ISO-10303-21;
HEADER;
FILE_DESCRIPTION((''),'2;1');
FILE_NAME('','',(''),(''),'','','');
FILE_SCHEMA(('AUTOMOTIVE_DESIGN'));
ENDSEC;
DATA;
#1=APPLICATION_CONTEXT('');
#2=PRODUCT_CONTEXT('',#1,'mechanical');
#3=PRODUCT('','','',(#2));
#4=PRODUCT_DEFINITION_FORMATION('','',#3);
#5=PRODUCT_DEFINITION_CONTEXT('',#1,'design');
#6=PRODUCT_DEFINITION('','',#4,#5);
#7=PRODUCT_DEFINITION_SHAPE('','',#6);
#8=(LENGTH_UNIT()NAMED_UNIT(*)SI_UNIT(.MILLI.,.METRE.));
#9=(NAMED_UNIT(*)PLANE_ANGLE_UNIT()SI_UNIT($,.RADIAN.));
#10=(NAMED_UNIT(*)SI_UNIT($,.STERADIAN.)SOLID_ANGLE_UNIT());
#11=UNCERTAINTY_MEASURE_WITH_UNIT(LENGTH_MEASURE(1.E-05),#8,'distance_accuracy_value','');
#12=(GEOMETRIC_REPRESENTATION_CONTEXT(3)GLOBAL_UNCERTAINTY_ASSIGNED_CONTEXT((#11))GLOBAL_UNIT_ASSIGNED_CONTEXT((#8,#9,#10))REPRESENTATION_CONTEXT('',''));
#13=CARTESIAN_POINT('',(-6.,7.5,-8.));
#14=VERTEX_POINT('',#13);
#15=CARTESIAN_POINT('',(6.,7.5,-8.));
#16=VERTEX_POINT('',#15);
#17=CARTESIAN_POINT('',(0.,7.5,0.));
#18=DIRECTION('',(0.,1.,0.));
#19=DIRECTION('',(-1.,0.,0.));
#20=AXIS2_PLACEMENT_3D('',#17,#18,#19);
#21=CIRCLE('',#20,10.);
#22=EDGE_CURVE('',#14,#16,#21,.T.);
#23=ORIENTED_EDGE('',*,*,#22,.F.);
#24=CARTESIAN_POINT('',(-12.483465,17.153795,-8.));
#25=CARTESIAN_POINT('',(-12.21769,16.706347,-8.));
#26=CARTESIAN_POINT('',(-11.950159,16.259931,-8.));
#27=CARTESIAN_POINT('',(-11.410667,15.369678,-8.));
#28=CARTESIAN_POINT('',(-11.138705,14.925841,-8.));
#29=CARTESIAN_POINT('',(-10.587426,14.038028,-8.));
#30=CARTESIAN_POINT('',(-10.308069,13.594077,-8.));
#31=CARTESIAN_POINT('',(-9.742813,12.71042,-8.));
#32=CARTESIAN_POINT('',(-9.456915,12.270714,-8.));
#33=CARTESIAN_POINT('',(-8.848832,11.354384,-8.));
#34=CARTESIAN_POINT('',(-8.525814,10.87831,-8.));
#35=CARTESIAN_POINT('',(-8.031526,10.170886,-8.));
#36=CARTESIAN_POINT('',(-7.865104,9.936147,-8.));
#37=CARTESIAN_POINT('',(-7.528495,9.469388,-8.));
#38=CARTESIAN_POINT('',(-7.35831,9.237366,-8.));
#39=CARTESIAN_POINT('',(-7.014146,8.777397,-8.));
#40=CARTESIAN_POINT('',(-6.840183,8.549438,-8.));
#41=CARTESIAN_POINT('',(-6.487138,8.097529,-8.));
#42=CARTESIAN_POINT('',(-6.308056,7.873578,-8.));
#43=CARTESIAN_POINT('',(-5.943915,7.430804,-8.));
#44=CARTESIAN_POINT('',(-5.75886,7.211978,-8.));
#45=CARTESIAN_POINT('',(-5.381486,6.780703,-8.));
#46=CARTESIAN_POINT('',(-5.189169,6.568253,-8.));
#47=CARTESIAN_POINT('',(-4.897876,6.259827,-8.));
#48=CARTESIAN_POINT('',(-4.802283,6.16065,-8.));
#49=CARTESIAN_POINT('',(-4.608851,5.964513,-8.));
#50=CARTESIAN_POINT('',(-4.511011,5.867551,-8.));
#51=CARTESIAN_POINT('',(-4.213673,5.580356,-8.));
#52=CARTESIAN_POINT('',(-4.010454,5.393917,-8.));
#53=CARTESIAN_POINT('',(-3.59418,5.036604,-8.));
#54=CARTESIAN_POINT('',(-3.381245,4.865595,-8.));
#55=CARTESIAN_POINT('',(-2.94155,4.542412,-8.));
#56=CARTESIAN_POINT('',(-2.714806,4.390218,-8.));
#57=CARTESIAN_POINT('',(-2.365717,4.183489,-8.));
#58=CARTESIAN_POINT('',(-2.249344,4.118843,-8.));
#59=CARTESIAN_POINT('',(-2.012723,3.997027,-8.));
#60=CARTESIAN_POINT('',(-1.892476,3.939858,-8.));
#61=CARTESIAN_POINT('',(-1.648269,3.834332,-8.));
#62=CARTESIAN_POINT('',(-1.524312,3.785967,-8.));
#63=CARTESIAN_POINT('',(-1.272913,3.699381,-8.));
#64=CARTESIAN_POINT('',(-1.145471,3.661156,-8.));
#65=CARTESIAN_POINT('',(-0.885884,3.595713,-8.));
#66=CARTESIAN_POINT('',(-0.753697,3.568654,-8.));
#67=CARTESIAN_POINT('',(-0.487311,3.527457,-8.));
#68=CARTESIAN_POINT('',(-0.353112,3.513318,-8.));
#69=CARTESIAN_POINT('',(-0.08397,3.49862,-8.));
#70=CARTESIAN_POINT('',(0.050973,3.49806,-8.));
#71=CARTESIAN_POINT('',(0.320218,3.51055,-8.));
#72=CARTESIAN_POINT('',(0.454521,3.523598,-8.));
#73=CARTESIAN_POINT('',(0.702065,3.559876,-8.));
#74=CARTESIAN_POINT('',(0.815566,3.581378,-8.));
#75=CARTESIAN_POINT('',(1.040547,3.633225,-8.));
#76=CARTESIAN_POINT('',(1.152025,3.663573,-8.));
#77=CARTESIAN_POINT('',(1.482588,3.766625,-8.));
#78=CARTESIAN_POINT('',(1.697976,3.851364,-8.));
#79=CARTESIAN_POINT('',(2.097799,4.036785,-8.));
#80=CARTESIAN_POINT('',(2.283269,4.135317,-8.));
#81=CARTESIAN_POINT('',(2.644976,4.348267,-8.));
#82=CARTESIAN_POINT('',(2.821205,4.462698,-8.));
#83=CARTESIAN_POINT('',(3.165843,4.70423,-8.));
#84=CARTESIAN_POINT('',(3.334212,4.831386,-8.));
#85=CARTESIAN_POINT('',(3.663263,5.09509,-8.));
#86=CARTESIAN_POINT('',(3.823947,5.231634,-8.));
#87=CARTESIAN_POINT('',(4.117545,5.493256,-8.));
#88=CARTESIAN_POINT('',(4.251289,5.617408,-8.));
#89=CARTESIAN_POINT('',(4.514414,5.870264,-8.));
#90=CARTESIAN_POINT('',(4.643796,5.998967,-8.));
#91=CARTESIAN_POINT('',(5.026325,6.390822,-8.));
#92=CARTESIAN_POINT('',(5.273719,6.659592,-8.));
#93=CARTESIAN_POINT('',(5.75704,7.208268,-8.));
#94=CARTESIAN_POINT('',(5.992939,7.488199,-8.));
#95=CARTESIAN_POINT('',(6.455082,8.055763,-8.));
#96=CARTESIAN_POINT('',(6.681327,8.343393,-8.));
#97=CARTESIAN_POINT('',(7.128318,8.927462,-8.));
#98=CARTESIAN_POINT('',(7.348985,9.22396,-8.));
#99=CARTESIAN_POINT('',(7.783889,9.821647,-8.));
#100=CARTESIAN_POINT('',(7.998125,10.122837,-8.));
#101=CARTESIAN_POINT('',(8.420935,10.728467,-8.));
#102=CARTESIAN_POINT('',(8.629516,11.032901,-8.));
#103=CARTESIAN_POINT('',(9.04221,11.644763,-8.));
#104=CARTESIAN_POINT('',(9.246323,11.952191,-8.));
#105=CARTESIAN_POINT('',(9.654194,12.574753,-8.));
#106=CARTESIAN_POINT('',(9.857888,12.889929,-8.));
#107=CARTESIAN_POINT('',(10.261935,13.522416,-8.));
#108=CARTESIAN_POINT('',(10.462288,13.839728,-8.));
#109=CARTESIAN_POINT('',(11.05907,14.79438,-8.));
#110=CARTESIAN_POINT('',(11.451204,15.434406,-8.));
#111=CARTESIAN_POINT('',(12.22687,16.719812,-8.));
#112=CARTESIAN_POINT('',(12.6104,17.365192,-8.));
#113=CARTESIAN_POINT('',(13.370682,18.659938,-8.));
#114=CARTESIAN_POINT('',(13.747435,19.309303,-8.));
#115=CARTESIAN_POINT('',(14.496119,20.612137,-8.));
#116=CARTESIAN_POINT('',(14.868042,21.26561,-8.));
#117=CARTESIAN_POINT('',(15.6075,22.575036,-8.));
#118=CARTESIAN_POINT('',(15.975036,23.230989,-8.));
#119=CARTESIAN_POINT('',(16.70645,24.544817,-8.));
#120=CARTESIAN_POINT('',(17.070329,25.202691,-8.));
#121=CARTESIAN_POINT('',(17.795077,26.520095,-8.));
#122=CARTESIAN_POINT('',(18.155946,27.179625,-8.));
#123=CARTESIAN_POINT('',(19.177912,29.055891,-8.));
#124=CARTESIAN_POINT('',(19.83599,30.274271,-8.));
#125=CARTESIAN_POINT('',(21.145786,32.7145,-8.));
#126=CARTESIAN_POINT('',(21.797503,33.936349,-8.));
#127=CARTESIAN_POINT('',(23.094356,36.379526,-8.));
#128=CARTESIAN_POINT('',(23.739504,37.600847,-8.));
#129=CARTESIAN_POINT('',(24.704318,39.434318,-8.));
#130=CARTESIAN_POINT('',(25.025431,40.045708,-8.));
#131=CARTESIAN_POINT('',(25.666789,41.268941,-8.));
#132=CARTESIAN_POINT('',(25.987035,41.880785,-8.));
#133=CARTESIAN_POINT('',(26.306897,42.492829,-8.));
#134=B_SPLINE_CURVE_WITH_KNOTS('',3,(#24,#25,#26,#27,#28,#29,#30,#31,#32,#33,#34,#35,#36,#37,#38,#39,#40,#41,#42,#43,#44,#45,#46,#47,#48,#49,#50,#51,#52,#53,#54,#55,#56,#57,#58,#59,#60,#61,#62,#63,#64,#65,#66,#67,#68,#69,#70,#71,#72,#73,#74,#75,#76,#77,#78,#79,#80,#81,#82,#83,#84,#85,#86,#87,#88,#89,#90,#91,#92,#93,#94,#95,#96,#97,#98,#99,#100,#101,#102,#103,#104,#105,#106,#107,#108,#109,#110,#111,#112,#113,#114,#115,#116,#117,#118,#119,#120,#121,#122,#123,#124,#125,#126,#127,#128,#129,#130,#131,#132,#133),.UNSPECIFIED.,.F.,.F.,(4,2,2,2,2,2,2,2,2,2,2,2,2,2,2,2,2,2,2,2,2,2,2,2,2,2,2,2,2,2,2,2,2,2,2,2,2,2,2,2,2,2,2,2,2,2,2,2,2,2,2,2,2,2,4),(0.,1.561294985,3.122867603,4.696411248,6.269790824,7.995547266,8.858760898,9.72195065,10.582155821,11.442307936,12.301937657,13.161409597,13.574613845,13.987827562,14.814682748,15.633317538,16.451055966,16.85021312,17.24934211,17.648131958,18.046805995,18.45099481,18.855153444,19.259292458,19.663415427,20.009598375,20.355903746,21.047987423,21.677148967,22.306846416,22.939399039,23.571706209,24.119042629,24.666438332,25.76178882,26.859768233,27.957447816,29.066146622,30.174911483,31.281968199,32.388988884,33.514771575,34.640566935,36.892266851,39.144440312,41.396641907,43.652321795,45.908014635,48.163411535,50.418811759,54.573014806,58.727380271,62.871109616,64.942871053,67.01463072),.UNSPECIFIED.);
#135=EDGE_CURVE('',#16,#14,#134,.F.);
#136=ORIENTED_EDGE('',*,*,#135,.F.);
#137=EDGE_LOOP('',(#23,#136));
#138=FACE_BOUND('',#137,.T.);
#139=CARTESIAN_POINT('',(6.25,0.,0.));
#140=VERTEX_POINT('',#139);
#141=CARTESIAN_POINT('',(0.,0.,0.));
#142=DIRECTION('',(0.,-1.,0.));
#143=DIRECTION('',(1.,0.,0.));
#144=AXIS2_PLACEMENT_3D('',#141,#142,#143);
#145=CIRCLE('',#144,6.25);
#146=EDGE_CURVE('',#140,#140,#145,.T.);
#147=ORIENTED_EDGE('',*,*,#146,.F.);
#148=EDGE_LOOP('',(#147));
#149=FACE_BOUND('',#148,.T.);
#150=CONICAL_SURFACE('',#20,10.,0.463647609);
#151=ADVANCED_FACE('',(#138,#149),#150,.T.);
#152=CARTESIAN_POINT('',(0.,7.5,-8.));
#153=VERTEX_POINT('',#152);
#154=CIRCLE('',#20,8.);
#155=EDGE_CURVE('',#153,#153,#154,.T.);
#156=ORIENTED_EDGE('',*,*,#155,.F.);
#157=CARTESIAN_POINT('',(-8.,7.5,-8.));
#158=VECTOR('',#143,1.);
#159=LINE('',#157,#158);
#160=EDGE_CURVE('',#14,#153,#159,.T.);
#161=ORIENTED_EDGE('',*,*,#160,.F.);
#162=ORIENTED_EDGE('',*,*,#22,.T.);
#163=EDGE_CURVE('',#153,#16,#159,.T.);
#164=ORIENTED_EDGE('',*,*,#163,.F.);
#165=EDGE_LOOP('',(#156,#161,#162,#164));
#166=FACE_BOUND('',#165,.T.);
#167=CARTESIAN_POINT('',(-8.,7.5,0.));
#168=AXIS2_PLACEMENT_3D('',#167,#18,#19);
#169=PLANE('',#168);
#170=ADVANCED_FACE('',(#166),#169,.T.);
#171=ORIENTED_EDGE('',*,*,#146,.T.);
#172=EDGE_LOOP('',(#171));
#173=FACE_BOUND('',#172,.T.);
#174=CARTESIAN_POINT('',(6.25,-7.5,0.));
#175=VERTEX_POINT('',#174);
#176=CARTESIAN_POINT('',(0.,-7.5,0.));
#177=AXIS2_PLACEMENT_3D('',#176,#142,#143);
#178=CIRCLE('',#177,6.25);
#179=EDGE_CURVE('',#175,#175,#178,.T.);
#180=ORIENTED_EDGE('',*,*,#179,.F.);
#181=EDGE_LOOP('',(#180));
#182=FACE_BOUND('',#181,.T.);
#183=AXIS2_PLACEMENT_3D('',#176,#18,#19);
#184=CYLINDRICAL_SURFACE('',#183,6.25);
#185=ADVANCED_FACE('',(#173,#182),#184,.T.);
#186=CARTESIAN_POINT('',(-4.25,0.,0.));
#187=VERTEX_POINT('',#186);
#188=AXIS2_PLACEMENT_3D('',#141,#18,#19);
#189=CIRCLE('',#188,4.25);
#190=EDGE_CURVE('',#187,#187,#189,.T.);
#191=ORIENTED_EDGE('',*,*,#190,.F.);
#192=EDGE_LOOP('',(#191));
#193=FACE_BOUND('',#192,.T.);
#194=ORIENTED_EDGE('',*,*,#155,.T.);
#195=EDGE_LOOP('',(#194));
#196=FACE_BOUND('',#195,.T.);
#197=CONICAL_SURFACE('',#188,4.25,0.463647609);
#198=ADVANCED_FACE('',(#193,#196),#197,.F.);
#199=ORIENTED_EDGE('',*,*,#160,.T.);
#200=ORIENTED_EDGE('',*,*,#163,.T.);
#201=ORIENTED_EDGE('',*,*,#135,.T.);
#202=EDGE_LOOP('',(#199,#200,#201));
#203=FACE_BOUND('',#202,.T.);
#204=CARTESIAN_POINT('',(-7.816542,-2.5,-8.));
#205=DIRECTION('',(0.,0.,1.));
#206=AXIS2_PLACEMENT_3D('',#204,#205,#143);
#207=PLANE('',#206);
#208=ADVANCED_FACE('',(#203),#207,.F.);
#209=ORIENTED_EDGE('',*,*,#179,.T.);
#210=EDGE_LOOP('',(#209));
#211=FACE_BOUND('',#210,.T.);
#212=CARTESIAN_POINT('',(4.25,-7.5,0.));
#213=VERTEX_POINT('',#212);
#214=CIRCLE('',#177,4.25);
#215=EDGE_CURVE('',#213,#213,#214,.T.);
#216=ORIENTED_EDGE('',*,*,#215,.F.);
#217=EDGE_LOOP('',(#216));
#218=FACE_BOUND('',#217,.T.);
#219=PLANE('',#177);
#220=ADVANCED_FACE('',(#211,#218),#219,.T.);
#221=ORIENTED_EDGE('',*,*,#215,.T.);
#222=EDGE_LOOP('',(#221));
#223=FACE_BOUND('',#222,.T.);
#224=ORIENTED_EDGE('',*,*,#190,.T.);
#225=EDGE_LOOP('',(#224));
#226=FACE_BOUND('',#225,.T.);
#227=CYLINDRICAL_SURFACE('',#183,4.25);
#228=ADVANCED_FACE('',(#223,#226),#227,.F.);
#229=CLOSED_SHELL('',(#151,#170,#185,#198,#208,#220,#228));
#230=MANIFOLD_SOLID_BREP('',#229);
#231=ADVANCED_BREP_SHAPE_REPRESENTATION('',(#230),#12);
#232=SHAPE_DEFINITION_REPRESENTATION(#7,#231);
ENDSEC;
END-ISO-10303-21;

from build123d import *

# Parameters (mm, degrees)
CROQUIS3_R              = 6.25
CROQUIS3_R_2            = 4.25
SALIENTE_EXTRUIR1_DEPTH = 7.5
CORTAR_EXTRUIR1_DEPTH   = 10


with BuildPart() as part:
    # Croquis2 → Revolución1 (revolve)
    with BuildSketch(Plane.XY):
        Polygon((-4.25, 0), (-8, 7.5), (-10, 7.5), (-6.25, 0), align=None)
    revolve(axis=Axis((0, 7.5, 0), (0, -1, 0)))

    # Croquis3 → Saliente-Extruir1 (add)
    with BuildSketch(Plane.XZ):
        Circle(CROQUIS3_R)
        Circle(CROQUIS3_R_2, mode=Mode.SUBTRACT)
    extrude(amount=SALIENTE_EXTRUIR1_DEPTH)

    # Croquis4 → Cortar-Extruir1 (cut)
    with BuildSketch(Plane(origin=(0, 7.5, 0), x_dir=(1, 0, 0), z_dir=(0, 1, 0))):
        Polygon((-7.816541924, 8), (7.816541924, 8), (0, 11.458627945), align=None)
    extrude(amount=-CORTAR_EXTRUIR1_DEPTH, mode=Mode.SUBTRACT)


solid = part.part
